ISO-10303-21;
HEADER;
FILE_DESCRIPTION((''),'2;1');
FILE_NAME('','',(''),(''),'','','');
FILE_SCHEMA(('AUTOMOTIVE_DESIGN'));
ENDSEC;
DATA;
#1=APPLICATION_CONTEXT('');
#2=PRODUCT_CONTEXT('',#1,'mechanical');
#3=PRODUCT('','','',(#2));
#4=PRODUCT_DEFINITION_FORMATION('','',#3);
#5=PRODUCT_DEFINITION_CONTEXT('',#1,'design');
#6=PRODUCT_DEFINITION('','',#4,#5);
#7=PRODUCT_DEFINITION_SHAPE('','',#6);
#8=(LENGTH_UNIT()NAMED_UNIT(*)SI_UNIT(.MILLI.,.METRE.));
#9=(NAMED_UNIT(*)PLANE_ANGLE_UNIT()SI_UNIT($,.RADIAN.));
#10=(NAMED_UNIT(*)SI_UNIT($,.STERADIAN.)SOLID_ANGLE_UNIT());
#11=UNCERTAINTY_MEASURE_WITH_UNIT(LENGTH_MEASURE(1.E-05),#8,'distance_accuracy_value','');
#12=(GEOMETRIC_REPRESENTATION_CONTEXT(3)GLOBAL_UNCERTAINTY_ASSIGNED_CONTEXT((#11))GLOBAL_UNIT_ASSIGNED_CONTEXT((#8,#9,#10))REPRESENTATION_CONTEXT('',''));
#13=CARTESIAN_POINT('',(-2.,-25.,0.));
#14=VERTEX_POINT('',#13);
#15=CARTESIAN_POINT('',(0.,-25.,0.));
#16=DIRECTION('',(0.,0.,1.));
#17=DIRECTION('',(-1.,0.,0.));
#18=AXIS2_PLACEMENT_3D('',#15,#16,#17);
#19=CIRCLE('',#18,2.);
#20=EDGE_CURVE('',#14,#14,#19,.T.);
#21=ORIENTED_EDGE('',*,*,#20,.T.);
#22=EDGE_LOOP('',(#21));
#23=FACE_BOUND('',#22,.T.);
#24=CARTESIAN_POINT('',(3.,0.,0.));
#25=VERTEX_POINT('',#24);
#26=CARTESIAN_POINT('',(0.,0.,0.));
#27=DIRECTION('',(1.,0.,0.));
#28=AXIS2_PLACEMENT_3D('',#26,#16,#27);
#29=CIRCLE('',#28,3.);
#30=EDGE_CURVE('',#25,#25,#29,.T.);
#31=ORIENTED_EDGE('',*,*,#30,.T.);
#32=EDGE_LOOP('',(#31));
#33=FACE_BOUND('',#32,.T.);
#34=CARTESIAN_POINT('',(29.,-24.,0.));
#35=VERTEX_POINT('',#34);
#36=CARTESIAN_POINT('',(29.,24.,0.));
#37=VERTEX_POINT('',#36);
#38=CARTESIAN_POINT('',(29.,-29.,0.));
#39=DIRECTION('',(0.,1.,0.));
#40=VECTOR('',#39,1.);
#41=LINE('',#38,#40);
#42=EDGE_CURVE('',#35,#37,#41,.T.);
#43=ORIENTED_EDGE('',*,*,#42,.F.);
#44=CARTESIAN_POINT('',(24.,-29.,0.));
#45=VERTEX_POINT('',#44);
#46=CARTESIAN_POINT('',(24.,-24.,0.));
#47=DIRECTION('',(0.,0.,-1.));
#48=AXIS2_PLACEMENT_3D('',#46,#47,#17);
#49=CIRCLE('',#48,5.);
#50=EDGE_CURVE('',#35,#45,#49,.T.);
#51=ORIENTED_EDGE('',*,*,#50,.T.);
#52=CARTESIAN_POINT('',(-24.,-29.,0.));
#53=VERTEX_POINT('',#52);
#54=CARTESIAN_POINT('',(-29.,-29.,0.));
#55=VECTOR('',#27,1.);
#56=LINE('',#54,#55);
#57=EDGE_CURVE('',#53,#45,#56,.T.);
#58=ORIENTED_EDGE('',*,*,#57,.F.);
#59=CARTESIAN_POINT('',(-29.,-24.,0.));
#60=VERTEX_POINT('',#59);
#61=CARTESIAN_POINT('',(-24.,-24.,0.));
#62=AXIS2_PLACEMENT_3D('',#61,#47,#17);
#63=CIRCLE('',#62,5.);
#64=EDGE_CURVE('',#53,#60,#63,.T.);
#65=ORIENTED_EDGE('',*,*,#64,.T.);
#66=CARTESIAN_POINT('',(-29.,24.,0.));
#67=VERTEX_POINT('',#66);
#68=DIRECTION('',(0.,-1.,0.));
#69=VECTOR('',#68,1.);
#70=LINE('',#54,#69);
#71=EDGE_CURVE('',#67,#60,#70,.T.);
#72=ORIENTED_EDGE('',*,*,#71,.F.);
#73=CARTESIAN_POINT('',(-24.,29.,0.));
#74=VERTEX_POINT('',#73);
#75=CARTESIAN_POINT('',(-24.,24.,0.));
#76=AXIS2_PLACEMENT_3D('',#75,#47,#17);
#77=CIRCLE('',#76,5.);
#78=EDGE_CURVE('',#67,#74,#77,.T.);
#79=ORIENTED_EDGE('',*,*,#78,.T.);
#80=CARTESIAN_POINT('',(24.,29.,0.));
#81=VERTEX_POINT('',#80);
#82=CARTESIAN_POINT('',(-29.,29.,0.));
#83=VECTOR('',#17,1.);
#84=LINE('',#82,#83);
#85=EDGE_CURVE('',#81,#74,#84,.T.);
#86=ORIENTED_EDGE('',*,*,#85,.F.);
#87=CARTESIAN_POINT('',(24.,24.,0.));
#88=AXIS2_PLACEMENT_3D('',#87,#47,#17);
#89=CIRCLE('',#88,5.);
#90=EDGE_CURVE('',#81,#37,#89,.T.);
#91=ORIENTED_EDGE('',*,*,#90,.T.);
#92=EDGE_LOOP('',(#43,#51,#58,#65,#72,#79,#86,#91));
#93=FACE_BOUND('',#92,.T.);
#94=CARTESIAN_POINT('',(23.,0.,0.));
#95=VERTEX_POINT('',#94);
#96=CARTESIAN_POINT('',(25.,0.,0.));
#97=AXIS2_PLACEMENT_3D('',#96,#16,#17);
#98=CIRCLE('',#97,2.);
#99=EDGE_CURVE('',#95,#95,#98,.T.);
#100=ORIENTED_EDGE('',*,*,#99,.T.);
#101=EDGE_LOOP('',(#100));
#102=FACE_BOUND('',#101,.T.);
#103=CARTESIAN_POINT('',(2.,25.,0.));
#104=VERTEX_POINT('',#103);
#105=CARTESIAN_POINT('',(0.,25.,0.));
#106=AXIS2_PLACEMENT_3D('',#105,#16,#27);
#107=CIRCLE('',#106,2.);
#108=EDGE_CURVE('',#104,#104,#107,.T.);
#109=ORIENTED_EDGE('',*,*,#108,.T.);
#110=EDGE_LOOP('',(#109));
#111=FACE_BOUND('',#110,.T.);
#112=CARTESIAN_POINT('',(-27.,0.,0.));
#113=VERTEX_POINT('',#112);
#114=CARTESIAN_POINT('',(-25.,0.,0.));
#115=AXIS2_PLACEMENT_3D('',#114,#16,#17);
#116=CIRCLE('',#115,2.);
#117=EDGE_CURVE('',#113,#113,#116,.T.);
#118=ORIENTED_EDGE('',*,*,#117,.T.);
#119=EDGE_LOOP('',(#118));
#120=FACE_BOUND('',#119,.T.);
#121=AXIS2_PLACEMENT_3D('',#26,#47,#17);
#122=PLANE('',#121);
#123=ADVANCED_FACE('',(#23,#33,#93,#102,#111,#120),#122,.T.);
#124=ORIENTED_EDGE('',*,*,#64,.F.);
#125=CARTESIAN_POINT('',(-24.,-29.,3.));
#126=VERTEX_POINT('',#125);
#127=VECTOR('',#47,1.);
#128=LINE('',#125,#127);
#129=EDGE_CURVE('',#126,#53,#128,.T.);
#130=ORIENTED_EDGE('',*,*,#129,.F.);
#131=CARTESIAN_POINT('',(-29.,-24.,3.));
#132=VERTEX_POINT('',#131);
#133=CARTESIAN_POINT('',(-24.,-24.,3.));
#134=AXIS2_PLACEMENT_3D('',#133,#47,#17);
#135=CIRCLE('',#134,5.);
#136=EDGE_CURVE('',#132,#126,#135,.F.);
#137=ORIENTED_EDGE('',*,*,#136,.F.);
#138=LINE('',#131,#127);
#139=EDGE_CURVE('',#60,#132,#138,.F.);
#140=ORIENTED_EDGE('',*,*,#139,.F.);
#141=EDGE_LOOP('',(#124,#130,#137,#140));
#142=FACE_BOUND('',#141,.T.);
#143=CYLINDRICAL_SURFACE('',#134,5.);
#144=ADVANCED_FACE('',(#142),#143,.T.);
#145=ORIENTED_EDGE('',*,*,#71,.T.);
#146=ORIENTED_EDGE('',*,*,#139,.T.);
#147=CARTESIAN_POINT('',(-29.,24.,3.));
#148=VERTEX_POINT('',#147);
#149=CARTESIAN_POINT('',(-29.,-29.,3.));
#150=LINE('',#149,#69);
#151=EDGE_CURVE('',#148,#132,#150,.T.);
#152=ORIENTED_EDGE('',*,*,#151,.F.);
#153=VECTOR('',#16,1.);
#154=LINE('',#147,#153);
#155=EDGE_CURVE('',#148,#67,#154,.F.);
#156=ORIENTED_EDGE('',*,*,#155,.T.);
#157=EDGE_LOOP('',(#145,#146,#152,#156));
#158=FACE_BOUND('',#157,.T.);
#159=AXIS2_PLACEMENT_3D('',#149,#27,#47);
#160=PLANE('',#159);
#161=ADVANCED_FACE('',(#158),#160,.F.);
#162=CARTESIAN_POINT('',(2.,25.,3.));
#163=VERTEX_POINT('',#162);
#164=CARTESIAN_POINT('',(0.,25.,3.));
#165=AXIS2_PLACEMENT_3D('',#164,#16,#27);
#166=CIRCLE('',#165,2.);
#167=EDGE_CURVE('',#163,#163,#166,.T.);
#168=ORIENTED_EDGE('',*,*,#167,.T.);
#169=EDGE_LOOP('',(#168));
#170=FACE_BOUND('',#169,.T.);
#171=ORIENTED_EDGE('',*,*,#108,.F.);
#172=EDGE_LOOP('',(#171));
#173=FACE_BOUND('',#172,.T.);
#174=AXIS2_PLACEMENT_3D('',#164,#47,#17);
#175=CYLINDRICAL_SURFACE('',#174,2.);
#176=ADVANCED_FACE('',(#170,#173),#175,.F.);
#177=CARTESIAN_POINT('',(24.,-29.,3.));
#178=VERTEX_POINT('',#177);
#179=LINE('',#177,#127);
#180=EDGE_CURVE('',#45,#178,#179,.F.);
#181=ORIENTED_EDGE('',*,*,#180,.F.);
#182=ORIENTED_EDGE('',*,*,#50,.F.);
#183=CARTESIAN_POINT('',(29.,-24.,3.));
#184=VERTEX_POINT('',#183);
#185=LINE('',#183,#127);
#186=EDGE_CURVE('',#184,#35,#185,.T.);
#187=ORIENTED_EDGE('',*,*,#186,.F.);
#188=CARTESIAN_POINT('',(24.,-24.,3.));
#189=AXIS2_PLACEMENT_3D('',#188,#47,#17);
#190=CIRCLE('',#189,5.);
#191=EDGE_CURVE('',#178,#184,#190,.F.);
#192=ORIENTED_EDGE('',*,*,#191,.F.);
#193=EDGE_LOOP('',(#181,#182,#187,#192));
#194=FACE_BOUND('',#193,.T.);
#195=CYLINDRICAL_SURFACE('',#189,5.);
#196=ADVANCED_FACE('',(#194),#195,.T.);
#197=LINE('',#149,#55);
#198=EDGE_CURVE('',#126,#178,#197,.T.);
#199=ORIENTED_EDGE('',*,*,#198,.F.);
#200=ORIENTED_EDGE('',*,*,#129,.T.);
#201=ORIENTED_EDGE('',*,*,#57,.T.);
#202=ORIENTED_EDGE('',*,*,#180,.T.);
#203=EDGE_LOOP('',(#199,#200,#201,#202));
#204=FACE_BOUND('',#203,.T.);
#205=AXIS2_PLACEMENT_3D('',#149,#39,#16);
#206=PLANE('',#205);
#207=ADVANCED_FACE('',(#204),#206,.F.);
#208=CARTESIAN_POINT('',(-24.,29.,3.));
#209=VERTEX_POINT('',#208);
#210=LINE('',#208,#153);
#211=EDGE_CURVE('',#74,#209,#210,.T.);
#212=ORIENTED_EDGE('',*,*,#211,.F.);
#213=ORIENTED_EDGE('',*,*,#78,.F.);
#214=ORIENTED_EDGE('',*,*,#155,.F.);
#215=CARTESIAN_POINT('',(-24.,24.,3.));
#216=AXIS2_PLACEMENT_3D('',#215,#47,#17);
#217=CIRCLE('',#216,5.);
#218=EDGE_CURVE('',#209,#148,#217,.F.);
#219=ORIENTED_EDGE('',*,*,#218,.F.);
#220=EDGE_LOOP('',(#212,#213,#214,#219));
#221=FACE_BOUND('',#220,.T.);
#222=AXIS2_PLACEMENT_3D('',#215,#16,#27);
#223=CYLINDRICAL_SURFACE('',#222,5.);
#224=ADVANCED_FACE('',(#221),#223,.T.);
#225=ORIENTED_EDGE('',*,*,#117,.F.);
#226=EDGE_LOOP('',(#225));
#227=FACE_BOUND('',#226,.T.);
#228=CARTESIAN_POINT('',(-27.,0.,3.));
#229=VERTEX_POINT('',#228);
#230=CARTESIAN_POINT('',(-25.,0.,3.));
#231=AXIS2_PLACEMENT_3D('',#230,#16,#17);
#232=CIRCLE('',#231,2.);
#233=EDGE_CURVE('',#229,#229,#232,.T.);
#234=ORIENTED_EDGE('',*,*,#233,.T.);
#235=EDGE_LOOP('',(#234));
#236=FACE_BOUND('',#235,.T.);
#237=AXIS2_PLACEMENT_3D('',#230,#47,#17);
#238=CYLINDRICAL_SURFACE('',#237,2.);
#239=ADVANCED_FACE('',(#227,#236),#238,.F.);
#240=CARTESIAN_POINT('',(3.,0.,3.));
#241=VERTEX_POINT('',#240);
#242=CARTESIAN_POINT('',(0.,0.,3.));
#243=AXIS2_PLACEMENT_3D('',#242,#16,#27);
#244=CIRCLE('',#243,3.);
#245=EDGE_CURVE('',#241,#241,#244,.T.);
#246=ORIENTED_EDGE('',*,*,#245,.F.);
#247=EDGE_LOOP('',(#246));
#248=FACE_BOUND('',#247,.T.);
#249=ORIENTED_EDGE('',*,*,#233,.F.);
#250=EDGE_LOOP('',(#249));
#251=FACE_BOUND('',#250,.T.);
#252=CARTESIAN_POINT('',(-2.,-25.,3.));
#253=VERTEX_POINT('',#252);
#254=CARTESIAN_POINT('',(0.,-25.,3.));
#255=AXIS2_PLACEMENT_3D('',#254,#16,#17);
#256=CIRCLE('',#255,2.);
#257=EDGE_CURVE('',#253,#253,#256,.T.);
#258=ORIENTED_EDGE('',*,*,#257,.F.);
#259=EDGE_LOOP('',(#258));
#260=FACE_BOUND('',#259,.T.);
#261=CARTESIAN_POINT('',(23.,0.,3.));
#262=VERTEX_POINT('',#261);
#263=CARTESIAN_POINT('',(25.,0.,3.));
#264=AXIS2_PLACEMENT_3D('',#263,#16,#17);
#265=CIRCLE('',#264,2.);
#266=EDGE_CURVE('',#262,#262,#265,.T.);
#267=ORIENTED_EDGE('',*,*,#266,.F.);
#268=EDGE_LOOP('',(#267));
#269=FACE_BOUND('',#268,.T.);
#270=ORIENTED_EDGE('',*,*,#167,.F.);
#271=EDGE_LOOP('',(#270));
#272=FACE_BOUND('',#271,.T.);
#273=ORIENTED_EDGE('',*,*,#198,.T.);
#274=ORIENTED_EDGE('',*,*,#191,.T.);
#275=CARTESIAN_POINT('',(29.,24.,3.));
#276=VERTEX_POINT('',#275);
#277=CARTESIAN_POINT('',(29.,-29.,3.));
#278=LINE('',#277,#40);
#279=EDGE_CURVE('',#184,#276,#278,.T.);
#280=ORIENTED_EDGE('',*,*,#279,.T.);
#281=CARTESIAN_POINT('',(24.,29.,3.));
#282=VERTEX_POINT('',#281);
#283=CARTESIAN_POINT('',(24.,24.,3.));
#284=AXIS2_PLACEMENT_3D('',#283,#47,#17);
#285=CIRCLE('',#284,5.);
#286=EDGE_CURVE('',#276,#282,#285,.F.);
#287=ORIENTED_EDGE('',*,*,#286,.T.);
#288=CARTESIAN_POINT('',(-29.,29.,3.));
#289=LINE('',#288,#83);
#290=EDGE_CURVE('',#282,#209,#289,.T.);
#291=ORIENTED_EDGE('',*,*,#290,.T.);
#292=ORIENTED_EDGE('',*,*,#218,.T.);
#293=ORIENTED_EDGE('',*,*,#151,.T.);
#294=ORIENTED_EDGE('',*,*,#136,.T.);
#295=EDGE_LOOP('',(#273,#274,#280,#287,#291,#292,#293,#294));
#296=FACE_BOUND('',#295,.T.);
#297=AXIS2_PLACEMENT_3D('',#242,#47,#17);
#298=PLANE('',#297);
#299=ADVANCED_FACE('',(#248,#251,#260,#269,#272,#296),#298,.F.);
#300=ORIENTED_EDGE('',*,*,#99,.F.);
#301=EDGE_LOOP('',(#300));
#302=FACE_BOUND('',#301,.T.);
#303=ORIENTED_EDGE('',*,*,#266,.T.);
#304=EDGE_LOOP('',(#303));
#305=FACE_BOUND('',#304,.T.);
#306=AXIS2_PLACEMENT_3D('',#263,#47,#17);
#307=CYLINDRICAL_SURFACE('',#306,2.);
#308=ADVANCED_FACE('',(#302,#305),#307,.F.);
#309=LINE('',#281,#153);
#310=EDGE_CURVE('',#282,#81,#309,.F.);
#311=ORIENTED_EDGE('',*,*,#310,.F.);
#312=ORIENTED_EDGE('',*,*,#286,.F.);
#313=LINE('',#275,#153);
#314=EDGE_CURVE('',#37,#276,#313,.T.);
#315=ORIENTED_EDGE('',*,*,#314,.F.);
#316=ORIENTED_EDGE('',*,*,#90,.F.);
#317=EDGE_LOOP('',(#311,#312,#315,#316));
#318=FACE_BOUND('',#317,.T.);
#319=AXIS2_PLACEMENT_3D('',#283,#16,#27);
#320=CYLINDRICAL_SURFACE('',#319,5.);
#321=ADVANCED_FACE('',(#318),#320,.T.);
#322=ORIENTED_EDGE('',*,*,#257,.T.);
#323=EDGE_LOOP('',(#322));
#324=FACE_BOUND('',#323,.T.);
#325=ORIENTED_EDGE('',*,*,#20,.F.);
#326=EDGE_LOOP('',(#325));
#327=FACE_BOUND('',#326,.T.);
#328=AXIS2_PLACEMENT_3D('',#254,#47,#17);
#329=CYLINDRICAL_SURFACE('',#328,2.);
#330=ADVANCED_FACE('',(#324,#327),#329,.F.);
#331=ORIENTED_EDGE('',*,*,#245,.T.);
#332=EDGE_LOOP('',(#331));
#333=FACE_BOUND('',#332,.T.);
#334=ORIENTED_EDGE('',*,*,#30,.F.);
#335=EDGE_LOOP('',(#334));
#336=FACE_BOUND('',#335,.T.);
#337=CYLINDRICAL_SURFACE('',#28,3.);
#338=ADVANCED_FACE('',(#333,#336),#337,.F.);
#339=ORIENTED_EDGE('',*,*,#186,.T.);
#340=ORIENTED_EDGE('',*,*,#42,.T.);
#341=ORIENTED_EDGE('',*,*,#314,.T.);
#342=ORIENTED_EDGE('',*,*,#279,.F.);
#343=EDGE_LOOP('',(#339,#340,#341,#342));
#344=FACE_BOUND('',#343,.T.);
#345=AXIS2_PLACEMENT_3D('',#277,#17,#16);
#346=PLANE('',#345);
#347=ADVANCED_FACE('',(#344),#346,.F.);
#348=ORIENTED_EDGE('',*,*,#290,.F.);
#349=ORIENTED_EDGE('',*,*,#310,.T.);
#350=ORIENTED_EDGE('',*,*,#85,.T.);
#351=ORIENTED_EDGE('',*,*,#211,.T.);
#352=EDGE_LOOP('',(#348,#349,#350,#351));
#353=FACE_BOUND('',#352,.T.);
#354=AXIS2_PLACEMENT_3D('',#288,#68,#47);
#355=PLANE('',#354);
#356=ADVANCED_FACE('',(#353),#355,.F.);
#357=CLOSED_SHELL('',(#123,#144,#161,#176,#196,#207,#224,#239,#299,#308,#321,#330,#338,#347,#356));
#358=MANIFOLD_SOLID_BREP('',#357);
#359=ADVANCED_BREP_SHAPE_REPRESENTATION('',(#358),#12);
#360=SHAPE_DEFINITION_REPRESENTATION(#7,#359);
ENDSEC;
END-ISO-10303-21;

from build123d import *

# Parameters (mm, degrees)
SKETCH_1_W          = 58
SKETCH_1_H          = 58
SKETCH_1_R          = 2
EXTRUDE_1_DEPTH     = 3
FILLET_2_R          = 5
FILLET_3_R          = 5
FILLET_4_R          = 5
FILLET_5_R          = 5
SKETCH_2_R          = 3
CUT_EXTRUDE_1_DEPTH = 3


with BuildPart() as part:
    # Эскиз1 → Бобышка-Вытянуть1 (new body)
    with BuildSketch(Plane.XY):
        Rectangle(SKETCH_1_W, SKETCH_1_H)
        with Locations((0, 25)):
            Circle(SKETCH_1_R, mode=Mode.SUBTRACT)
        with Locations(Location((-25, 0, 0), (0, 0, 180))):
            Circle(SKETCH_1_R, mode=Mode.SUBTRACT)
        with Locations(Location((0, -25, 0), (0, 0, 180))):
            Circle(SKETCH_1_R, mode=Mode.SUBTRACT)
        with Locations(Location((25, 0, 0), (0, 0, 180))):
            Circle(SKETCH_1_R, mode=Mode.SUBTRACT)
    extrude(amount=EXTRUDE_1_DEPTH)

    # Скругление2
    fillet_2_edges = [part.edges().sort_by_distance(p)[0] for p in [
        (29, -29, 1.5),
    ]]
    fillet(fillet_2_edges, radius=FILLET_2_R)

    # Скругление3
    fillet_3_edges = [part.edges().sort_by_distance(p)[0] for p in [
        (-29, -29, 1.5),
    ]]
    fillet(fillet_3_edges, radius=FILLET_3_R)

    # Скругление4
    fillet_4_edges = [part.edges().sort_by_distance(p)[0] for p in [
        (-29, 29, 1.5),
    ]]
    fillet(fillet_4_edges, radius=FILLET_4_R)

    # Скругление5
    fillet_5_edges = [part.edges().sort_by_distance(p)[0] for p in [
        (29, 29, 1.5),
    ]]
    fillet(fillet_5_edges, radius=FILLET_5_R)

    # Эскиз2 → Вырез-Вытянуть1 (cut)
    with BuildSketch(Plane.XY.offset(3)):
        Circle(SKETCH_2_R)
    extrude(amount=-CUT_EXTRUDE_1_DEPTH, mode=Mode.SUBTRACT)


solid = part.part
